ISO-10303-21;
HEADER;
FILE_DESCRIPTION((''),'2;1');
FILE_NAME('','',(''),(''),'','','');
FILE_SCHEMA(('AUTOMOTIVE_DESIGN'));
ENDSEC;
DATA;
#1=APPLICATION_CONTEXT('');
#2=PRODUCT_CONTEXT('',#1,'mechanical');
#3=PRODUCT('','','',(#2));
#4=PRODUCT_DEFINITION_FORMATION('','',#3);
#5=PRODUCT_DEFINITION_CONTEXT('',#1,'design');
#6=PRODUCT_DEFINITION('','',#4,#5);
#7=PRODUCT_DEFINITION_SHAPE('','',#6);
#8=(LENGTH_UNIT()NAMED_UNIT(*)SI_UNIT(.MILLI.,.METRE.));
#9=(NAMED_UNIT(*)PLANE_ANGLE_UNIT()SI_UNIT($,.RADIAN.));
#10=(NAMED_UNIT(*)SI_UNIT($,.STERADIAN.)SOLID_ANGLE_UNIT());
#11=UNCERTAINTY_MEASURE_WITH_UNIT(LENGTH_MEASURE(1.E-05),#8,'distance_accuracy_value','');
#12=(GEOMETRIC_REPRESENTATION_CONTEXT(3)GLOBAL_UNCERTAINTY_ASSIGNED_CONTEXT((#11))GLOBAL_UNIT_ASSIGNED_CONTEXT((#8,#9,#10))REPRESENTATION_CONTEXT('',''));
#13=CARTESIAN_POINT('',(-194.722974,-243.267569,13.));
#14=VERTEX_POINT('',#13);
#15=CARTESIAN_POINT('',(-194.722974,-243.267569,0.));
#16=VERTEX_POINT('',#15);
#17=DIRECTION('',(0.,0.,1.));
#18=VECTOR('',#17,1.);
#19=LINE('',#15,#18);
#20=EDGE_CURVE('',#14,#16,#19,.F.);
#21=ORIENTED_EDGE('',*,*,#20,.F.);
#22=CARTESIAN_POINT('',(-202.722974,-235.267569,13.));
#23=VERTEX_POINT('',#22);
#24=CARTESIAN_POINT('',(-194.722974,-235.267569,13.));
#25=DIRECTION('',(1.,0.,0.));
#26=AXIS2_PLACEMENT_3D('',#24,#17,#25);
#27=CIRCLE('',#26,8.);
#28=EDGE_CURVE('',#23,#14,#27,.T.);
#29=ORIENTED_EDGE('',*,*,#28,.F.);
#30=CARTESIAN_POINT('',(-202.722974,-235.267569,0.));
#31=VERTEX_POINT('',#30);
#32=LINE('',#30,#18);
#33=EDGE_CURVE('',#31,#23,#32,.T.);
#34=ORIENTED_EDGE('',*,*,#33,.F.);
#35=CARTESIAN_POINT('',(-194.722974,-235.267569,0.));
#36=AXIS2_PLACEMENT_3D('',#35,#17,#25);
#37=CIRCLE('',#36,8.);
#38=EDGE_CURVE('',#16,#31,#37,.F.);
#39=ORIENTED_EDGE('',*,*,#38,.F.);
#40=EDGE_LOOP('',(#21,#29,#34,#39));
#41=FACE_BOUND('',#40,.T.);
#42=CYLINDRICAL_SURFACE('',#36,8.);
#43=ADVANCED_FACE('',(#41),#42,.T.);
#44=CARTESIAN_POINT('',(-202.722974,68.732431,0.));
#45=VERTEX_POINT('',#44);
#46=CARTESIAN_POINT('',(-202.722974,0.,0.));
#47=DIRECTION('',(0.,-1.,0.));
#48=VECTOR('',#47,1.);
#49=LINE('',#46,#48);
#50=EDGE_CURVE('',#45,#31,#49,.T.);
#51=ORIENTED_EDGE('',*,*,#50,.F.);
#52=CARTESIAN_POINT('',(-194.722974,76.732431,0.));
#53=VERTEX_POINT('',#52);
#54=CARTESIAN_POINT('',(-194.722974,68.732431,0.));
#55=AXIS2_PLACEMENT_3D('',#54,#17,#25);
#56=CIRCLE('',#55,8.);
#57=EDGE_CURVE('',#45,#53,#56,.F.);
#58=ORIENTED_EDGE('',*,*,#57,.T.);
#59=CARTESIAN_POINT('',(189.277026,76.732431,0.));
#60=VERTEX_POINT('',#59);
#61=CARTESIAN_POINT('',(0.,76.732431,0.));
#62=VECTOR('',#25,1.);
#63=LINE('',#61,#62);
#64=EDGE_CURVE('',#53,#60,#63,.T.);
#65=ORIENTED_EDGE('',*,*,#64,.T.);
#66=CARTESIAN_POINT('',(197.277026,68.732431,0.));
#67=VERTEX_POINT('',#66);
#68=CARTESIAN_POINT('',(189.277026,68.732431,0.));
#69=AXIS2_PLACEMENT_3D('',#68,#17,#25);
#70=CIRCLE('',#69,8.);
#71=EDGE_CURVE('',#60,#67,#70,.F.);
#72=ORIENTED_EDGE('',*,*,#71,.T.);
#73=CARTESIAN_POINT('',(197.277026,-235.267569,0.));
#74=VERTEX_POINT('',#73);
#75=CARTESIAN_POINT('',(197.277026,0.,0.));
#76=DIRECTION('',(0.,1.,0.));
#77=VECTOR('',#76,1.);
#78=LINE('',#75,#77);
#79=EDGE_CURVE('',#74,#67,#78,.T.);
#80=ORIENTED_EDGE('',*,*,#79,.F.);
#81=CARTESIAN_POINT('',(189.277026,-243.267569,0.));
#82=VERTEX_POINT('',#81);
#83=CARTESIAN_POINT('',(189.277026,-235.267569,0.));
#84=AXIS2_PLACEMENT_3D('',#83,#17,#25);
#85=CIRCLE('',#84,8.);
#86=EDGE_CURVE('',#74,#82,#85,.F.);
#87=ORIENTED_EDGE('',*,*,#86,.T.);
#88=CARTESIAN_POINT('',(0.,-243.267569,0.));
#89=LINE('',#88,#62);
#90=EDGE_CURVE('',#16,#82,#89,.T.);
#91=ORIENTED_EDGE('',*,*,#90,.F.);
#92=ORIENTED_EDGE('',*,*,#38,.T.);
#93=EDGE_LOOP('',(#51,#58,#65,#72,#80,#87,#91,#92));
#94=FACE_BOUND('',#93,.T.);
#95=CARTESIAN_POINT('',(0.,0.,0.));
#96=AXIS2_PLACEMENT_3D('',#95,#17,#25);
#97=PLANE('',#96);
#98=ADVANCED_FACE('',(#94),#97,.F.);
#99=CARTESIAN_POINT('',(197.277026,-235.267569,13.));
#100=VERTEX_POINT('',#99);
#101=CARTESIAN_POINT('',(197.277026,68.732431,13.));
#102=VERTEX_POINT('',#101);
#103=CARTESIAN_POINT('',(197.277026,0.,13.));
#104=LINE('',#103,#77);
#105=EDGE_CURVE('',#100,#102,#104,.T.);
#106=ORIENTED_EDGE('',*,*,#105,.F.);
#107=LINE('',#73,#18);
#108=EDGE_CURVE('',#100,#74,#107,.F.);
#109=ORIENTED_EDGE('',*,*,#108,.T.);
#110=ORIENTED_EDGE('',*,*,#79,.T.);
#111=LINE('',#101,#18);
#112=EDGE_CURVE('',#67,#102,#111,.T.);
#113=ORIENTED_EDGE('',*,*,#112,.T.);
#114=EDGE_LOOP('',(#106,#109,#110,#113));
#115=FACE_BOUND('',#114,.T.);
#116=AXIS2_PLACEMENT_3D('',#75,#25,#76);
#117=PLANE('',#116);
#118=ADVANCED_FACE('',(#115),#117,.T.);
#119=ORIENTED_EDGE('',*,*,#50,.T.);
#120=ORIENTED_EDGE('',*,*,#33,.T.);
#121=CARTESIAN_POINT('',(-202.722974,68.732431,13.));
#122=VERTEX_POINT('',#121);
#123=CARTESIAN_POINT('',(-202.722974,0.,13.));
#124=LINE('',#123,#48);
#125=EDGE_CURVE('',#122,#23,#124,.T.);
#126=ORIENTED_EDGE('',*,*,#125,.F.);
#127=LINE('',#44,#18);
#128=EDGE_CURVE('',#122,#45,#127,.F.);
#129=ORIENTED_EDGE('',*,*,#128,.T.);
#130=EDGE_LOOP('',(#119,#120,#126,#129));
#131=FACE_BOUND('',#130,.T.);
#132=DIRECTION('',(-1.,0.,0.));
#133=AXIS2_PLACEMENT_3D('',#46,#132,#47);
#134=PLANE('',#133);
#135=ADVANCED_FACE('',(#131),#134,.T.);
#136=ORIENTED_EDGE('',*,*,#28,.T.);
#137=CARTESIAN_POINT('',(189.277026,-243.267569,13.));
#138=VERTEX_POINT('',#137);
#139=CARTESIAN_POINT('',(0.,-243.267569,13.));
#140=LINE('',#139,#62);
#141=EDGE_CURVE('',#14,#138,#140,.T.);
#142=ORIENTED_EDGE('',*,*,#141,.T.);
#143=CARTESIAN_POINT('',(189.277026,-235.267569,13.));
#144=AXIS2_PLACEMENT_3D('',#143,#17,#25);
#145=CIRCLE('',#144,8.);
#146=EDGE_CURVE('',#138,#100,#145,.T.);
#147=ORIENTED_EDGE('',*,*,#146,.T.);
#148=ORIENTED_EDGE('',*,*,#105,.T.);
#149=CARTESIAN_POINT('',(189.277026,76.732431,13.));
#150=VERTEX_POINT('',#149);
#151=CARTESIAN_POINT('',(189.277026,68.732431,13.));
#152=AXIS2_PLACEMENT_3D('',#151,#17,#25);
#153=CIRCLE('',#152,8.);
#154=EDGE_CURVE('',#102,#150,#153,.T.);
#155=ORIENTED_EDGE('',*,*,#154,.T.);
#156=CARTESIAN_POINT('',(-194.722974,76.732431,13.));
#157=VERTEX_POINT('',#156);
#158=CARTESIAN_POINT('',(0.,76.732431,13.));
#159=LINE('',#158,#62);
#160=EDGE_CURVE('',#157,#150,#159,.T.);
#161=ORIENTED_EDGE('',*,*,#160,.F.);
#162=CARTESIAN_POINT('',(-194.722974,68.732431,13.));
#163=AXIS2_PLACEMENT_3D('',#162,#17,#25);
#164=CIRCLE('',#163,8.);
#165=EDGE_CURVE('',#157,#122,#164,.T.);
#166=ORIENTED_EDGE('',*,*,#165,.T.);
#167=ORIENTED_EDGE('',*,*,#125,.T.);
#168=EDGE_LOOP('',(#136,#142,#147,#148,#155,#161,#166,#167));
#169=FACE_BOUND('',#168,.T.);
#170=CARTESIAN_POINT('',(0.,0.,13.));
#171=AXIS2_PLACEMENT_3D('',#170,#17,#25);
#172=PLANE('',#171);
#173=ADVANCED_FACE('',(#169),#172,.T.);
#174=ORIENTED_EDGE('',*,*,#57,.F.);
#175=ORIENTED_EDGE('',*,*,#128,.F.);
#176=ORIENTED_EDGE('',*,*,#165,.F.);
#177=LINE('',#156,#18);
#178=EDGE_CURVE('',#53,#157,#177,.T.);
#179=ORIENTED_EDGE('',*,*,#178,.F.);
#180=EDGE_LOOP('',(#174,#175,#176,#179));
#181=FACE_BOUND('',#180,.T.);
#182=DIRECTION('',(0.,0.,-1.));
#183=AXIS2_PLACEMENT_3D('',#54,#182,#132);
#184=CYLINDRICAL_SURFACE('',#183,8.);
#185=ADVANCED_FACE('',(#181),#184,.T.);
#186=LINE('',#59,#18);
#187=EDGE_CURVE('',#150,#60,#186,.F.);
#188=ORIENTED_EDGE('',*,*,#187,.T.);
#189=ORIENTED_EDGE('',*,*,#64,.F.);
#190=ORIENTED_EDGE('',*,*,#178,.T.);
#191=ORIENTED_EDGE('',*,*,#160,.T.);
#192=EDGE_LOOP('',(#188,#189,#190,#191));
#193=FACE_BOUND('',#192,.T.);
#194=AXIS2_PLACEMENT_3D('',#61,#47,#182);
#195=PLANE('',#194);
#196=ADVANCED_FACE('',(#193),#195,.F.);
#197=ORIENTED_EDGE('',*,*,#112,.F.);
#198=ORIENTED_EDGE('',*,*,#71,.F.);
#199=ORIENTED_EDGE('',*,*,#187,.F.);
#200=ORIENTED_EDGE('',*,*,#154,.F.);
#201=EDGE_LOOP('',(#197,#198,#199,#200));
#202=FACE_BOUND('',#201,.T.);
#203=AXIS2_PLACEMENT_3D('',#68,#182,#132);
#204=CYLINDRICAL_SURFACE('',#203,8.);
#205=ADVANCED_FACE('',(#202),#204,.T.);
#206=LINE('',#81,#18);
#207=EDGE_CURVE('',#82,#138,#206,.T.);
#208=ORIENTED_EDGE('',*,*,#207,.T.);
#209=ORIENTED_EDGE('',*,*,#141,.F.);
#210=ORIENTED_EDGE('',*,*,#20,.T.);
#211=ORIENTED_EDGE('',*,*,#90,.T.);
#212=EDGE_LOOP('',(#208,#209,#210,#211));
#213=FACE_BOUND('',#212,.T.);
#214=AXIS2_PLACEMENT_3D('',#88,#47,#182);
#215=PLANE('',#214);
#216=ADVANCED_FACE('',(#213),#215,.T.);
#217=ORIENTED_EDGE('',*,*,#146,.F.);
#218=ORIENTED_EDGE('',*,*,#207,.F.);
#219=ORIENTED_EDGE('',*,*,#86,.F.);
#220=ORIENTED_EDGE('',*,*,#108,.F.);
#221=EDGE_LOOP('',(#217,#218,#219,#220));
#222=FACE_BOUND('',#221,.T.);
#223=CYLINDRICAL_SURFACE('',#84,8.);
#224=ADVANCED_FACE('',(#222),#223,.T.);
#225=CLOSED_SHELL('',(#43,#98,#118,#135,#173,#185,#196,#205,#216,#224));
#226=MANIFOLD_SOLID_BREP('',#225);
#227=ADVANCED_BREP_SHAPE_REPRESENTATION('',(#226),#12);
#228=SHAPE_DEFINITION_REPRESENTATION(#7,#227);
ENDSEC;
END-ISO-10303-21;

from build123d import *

# Parameters (mm, degrees)
SKETCH_1_W      = 400
SKETCH_1_H      = 320
EXTRUDE_1_DEPTH = 13
FILLET_1_R      = 8


with BuildPart() as part:
    # 스케치1 → 보스-돌출1 (new body)
    with BuildSketch(Plane.XY.offset(13)):
        with Locations((-2.722973759, -83.26756851)):
            Rectangle(SKETCH_1_W, SKETCH_1_H)
    extrude(amount=-EXTRUDE_1_DEPTH)

    # 필렛1
    fillet_1_edges = [part.edges().sort_by_distance(p)[0] for p in [
        (197.277026241, 76.73243149, 6.5),
        (197.277026241, -243.26756851, 6.5),
        (-202.722973759, -243.26756851, 6.5),
        (-202.722973759, 76.73243149, 6.5),
    ]]
    fillet(fillet_1_edges, radius=FILLET_1_R)


solid = part.part
